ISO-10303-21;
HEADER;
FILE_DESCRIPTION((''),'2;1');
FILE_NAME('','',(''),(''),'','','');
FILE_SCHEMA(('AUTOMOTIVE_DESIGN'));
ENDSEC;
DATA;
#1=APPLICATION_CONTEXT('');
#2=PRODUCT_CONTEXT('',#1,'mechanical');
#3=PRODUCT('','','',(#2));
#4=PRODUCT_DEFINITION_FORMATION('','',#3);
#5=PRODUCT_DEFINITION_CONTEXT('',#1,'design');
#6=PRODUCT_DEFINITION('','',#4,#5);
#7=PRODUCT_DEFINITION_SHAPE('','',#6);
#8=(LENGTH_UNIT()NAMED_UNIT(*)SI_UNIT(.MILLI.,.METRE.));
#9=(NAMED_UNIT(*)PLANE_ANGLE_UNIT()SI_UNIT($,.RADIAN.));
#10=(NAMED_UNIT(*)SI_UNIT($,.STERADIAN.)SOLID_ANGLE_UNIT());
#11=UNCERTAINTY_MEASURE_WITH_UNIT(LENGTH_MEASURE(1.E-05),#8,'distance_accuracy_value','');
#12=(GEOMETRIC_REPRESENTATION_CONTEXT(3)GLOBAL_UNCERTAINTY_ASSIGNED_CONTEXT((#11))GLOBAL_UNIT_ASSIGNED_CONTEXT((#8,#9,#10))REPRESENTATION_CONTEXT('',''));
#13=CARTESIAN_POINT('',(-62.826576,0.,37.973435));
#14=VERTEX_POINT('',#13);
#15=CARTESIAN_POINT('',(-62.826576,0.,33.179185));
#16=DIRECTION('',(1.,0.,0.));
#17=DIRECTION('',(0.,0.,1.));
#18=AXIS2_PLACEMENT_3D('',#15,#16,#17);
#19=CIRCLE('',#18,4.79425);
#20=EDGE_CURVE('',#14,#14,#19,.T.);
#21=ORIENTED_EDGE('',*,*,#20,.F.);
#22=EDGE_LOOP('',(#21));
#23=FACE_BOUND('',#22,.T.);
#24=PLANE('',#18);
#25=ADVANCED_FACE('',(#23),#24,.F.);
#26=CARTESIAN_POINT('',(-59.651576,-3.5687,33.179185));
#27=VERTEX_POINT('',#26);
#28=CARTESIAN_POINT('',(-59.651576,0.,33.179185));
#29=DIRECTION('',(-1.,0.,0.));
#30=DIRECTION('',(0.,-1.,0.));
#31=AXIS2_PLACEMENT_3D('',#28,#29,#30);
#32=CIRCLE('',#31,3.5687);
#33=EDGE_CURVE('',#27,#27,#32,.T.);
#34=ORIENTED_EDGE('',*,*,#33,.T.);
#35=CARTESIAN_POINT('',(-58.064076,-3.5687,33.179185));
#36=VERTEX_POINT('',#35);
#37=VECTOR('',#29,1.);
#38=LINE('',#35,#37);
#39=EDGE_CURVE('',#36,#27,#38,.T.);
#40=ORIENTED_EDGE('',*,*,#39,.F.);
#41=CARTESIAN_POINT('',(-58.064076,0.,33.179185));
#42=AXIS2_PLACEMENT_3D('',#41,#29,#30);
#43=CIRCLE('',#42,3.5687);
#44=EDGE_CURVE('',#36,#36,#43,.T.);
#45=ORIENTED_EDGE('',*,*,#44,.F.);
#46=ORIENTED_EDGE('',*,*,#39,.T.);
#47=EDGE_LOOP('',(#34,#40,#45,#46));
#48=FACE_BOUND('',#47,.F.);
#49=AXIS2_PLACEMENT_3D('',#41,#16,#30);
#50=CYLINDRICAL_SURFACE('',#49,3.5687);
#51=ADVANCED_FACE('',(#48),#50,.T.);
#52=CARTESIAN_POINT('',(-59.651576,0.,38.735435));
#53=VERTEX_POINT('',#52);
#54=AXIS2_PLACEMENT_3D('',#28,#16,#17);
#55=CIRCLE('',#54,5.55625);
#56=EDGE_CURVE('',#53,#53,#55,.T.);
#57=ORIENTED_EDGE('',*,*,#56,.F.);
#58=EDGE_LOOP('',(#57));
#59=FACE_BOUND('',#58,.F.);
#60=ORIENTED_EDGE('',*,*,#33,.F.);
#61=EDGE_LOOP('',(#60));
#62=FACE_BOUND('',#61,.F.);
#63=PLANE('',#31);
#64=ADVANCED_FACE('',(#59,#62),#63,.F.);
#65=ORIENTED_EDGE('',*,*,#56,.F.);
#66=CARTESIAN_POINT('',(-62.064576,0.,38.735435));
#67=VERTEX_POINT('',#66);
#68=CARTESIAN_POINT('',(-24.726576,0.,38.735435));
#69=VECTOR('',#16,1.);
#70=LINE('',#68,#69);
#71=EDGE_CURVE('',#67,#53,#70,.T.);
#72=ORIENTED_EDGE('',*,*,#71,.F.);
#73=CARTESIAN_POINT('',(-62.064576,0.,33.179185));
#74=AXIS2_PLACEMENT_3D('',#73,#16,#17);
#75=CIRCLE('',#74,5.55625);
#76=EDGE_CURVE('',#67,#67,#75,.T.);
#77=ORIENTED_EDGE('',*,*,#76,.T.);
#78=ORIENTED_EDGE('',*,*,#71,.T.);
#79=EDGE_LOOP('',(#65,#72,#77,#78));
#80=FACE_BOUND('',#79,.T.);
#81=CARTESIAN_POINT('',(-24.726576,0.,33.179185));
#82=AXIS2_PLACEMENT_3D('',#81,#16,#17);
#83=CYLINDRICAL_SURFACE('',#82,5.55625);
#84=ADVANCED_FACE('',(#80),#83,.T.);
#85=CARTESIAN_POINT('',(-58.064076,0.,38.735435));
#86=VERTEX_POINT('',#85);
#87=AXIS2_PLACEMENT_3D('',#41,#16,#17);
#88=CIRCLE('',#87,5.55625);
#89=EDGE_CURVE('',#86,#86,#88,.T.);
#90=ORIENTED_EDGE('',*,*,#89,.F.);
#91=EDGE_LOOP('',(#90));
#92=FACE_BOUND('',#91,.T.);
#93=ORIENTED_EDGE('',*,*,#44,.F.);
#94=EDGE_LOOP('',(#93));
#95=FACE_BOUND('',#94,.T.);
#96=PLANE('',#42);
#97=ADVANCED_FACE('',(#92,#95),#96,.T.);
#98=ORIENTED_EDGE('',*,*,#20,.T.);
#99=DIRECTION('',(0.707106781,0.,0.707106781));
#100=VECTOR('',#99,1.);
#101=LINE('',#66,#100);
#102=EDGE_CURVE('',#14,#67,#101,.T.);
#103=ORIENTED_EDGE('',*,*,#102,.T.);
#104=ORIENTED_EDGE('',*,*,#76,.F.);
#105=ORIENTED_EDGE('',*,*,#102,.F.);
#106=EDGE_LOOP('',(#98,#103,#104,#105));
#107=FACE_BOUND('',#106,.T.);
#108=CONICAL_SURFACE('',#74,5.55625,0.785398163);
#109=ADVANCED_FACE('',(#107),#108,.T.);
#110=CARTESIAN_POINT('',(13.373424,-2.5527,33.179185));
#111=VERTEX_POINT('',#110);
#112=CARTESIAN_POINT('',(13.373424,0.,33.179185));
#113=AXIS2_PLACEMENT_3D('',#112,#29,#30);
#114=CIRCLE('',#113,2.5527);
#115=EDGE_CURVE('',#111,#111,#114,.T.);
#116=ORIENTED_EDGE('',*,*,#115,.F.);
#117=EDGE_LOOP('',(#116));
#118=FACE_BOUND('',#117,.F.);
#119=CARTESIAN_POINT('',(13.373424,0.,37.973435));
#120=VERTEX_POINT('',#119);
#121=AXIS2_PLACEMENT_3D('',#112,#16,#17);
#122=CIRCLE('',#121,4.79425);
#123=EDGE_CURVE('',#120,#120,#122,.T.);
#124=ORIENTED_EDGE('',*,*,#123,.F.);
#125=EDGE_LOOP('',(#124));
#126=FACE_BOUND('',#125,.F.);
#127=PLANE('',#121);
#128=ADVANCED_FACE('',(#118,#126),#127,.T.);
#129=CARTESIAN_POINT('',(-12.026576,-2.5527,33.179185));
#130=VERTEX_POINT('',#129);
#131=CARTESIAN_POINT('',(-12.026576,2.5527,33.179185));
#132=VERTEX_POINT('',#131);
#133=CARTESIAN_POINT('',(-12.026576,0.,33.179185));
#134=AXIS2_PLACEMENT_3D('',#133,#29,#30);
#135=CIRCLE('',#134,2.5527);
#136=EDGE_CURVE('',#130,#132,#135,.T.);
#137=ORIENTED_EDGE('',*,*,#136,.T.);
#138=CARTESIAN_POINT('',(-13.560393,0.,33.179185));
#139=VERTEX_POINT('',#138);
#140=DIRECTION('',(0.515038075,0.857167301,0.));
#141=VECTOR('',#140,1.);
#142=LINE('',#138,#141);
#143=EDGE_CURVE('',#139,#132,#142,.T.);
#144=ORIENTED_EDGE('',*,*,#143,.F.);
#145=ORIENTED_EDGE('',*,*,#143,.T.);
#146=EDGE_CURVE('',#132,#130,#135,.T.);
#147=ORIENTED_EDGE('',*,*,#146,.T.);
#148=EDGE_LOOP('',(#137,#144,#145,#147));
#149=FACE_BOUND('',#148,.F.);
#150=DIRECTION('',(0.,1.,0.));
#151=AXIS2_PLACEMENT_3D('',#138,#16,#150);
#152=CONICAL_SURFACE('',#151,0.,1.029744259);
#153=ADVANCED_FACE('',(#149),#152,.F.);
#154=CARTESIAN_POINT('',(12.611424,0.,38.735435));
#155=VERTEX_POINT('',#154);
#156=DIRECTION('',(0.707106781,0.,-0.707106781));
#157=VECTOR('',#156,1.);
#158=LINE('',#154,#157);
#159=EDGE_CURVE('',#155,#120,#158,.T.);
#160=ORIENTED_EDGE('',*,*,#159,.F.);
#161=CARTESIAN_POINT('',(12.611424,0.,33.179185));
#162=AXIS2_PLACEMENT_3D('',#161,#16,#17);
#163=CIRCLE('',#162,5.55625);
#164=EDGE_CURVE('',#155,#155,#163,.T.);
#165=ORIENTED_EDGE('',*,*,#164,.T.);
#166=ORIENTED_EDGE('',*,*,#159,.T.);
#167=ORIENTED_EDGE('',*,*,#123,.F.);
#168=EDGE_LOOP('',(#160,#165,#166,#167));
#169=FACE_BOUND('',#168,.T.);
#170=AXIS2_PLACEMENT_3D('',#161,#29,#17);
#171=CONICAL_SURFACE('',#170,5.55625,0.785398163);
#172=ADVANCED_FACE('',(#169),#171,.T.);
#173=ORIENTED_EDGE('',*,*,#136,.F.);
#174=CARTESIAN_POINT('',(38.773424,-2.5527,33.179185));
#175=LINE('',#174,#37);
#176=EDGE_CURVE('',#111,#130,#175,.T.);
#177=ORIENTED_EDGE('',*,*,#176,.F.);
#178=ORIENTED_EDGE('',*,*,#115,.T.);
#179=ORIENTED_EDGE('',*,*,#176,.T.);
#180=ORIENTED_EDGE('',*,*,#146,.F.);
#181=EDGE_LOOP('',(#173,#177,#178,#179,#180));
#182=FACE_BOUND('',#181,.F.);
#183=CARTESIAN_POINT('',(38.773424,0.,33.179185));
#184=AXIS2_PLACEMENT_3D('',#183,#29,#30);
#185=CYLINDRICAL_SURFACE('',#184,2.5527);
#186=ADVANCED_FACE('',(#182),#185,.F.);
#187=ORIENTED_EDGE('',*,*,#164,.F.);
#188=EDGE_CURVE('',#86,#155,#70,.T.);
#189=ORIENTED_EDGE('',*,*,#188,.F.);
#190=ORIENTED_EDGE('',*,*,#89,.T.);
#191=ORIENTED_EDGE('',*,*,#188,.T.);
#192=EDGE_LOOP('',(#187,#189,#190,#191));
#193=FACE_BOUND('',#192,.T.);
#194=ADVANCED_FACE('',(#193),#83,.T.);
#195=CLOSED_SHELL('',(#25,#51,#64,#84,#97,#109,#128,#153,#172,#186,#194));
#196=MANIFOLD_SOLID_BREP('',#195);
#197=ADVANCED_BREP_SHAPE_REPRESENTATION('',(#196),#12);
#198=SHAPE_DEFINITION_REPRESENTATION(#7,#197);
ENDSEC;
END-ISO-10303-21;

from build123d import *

# Parameters (mm, degrees)
F0_W     = 76.2
F0_H     = 5.55625
F4_R     = 8.89
F4_R_2   = 3.5687
F5_DEPTH = 1.5875
F6_SIZE2 = 0.762
F6_SIZE  = 0.762
F7_D     = 5.1054
F7_DEPTH = 25.4
F7_TIP   = 1.5338169022


with BuildPart() as f1:
    # F0 (on Front) → F1 (revolve)
    with BuildSketch(Plane.XZ):
        with Locations((-24.7265758226, 35.9573098083)):
            Rectangle(F0_W, F0_H)
    revolve(axis=Axis((-24.7265758226, 0, 33.1791848083), (1, 0, 0)))

    # F4 (on offset) → F5 (cut)
    with BuildSketch(Plane(origin=(-58.0640758226, 0, 0), x_dir=(0, -1, 0), z_dir=(-1, 0, 0))):
        with Locations((0, 33.1791848083)):
            Circle(F4_R)
        with Locations((0, 33.1791848083)):
            Circle(F4_R_2, mode=Mode.SUBTRACT)
    extrude(amount=F5_DEPTH, mode=Mode.SUBTRACT)

    # F6
    f6_edges = [f1.edges().sort_by_distance(p)[0] for p in [
        (-62.826576, 0, 27.622935),
        (13.373424, 0, 27.622935),
    ]]
    chamfer(f6_edges, length=F6_SIZE, length2=F6_SIZE2)

    # F7
    with Locations(Plane.YZ.offset(13.3734241774)):
        with Locations((0, 33.1791848083)):
            Hole(F7_D / 2, depth=F7_DEPTH)
            with Locations((0, 0, -(F7_DEPTH + F7_TIP / 2))):  # 118° drill point
                Cone(0, F7_D / 2, F7_TIP, mode=Mode.SUBTRACT)


solid = f1.part
